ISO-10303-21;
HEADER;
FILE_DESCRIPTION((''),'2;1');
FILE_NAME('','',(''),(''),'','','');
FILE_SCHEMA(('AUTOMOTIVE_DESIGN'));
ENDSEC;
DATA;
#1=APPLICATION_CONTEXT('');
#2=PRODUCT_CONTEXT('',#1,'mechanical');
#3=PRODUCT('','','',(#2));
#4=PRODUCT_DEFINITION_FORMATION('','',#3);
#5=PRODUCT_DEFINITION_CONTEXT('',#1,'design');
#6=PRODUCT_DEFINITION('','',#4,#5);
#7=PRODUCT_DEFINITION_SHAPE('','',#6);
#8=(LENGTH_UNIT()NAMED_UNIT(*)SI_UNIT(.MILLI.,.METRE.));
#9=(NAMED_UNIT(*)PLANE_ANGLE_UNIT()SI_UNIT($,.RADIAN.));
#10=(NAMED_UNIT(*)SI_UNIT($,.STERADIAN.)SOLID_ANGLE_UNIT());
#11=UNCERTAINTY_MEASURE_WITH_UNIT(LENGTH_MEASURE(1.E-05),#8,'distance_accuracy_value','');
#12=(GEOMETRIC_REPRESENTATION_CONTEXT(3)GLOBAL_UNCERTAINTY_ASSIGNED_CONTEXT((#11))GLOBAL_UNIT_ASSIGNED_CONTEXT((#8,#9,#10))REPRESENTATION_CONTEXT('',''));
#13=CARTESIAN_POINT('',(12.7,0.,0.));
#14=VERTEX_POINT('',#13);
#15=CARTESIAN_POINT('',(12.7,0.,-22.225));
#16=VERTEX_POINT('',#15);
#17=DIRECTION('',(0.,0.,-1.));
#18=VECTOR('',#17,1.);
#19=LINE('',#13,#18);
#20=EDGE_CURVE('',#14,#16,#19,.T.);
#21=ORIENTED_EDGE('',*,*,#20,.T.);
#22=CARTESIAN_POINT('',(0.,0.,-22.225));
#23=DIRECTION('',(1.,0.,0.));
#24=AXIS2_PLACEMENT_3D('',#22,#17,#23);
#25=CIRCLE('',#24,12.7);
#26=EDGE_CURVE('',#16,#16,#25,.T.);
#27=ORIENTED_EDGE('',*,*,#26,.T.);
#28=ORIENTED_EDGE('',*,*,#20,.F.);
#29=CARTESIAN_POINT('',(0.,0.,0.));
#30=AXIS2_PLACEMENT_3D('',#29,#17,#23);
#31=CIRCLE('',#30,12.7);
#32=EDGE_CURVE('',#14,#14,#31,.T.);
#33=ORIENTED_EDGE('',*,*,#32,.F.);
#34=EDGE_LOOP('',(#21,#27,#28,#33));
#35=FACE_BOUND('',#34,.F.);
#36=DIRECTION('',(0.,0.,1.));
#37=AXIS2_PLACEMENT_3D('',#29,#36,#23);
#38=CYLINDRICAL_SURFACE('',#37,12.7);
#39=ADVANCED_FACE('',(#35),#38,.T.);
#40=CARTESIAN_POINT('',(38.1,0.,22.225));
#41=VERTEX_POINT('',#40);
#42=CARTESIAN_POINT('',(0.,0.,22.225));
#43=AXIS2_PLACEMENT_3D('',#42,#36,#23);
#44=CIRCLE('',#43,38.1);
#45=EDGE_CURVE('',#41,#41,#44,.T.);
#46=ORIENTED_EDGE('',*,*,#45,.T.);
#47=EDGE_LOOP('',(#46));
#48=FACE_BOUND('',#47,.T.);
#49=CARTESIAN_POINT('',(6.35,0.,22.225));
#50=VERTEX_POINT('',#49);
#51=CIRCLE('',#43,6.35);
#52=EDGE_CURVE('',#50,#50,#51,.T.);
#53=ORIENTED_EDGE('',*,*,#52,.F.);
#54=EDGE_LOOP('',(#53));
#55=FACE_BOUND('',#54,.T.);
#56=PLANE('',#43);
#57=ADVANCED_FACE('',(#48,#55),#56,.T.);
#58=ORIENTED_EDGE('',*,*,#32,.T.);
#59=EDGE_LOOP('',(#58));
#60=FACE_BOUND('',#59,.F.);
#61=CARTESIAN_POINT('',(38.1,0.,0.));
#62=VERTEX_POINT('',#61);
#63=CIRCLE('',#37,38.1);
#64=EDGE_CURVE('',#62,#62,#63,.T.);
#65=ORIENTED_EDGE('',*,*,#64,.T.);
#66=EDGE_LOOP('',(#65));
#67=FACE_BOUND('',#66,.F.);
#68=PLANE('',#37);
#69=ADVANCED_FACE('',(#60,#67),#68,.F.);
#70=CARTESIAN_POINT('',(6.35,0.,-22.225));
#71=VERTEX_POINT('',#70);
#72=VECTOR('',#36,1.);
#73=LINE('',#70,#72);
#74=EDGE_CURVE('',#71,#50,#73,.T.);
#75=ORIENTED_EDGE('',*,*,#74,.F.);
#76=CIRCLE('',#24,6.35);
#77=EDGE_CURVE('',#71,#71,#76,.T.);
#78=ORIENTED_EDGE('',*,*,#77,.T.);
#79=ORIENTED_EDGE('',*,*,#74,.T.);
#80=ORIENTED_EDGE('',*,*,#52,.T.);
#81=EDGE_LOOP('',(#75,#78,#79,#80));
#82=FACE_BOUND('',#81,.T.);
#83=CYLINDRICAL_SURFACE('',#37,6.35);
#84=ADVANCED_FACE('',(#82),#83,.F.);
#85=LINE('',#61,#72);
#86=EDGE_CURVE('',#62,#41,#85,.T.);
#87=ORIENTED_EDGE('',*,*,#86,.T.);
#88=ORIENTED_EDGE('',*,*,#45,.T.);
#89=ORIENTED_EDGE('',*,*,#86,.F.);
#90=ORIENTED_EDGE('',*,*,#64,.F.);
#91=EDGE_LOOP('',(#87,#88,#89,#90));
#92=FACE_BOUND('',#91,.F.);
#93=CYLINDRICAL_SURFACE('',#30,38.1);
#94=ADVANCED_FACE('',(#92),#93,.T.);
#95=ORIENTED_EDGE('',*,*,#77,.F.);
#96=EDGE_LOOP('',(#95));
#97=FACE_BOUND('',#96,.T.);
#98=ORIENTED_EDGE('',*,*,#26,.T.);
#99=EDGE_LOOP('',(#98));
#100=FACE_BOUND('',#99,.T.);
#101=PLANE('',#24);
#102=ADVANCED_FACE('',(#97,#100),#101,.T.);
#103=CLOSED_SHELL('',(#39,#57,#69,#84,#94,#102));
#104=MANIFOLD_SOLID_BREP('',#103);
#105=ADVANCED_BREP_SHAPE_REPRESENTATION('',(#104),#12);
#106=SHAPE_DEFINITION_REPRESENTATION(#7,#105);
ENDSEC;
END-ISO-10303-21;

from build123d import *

# Parameters (mm, degrees)
F0_R     = 38.1
F1_DEPTH = 22.225
F2_R     = 6.35
F3_DEPTH = 35.49923
F4_R     = 12.7
F4_R_2   = 6.35
F5_DEPTH = 22.225


with BuildPart() as f1:
    # F0 (on Top) → F1 (new body)
    with BuildSketch(Plane.XY):
        Circle(F0_R)
    extrude(amount=F1_DEPTH)

    # F2 (on face) → F3 (cut)
    with BuildSketch(Plane.XY.offset(22.225)):
        Circle(F2_R)
    extrude(amount=-F3_DEPTH, mode=Mode.SUBTRACT)

    # F4 (on face) → F5 (join)
    with BuildSketch(Plane(origin=(0, 0, 0), x_dir=(1, 0, 0), z_dir=(0, 0, -1))):
        Circle(F4_R)
        Circle(F4_R_2, mode=Mode.SUBTRACT)
    extrude(amount=F5_DEPTH)


solid = f1.part
